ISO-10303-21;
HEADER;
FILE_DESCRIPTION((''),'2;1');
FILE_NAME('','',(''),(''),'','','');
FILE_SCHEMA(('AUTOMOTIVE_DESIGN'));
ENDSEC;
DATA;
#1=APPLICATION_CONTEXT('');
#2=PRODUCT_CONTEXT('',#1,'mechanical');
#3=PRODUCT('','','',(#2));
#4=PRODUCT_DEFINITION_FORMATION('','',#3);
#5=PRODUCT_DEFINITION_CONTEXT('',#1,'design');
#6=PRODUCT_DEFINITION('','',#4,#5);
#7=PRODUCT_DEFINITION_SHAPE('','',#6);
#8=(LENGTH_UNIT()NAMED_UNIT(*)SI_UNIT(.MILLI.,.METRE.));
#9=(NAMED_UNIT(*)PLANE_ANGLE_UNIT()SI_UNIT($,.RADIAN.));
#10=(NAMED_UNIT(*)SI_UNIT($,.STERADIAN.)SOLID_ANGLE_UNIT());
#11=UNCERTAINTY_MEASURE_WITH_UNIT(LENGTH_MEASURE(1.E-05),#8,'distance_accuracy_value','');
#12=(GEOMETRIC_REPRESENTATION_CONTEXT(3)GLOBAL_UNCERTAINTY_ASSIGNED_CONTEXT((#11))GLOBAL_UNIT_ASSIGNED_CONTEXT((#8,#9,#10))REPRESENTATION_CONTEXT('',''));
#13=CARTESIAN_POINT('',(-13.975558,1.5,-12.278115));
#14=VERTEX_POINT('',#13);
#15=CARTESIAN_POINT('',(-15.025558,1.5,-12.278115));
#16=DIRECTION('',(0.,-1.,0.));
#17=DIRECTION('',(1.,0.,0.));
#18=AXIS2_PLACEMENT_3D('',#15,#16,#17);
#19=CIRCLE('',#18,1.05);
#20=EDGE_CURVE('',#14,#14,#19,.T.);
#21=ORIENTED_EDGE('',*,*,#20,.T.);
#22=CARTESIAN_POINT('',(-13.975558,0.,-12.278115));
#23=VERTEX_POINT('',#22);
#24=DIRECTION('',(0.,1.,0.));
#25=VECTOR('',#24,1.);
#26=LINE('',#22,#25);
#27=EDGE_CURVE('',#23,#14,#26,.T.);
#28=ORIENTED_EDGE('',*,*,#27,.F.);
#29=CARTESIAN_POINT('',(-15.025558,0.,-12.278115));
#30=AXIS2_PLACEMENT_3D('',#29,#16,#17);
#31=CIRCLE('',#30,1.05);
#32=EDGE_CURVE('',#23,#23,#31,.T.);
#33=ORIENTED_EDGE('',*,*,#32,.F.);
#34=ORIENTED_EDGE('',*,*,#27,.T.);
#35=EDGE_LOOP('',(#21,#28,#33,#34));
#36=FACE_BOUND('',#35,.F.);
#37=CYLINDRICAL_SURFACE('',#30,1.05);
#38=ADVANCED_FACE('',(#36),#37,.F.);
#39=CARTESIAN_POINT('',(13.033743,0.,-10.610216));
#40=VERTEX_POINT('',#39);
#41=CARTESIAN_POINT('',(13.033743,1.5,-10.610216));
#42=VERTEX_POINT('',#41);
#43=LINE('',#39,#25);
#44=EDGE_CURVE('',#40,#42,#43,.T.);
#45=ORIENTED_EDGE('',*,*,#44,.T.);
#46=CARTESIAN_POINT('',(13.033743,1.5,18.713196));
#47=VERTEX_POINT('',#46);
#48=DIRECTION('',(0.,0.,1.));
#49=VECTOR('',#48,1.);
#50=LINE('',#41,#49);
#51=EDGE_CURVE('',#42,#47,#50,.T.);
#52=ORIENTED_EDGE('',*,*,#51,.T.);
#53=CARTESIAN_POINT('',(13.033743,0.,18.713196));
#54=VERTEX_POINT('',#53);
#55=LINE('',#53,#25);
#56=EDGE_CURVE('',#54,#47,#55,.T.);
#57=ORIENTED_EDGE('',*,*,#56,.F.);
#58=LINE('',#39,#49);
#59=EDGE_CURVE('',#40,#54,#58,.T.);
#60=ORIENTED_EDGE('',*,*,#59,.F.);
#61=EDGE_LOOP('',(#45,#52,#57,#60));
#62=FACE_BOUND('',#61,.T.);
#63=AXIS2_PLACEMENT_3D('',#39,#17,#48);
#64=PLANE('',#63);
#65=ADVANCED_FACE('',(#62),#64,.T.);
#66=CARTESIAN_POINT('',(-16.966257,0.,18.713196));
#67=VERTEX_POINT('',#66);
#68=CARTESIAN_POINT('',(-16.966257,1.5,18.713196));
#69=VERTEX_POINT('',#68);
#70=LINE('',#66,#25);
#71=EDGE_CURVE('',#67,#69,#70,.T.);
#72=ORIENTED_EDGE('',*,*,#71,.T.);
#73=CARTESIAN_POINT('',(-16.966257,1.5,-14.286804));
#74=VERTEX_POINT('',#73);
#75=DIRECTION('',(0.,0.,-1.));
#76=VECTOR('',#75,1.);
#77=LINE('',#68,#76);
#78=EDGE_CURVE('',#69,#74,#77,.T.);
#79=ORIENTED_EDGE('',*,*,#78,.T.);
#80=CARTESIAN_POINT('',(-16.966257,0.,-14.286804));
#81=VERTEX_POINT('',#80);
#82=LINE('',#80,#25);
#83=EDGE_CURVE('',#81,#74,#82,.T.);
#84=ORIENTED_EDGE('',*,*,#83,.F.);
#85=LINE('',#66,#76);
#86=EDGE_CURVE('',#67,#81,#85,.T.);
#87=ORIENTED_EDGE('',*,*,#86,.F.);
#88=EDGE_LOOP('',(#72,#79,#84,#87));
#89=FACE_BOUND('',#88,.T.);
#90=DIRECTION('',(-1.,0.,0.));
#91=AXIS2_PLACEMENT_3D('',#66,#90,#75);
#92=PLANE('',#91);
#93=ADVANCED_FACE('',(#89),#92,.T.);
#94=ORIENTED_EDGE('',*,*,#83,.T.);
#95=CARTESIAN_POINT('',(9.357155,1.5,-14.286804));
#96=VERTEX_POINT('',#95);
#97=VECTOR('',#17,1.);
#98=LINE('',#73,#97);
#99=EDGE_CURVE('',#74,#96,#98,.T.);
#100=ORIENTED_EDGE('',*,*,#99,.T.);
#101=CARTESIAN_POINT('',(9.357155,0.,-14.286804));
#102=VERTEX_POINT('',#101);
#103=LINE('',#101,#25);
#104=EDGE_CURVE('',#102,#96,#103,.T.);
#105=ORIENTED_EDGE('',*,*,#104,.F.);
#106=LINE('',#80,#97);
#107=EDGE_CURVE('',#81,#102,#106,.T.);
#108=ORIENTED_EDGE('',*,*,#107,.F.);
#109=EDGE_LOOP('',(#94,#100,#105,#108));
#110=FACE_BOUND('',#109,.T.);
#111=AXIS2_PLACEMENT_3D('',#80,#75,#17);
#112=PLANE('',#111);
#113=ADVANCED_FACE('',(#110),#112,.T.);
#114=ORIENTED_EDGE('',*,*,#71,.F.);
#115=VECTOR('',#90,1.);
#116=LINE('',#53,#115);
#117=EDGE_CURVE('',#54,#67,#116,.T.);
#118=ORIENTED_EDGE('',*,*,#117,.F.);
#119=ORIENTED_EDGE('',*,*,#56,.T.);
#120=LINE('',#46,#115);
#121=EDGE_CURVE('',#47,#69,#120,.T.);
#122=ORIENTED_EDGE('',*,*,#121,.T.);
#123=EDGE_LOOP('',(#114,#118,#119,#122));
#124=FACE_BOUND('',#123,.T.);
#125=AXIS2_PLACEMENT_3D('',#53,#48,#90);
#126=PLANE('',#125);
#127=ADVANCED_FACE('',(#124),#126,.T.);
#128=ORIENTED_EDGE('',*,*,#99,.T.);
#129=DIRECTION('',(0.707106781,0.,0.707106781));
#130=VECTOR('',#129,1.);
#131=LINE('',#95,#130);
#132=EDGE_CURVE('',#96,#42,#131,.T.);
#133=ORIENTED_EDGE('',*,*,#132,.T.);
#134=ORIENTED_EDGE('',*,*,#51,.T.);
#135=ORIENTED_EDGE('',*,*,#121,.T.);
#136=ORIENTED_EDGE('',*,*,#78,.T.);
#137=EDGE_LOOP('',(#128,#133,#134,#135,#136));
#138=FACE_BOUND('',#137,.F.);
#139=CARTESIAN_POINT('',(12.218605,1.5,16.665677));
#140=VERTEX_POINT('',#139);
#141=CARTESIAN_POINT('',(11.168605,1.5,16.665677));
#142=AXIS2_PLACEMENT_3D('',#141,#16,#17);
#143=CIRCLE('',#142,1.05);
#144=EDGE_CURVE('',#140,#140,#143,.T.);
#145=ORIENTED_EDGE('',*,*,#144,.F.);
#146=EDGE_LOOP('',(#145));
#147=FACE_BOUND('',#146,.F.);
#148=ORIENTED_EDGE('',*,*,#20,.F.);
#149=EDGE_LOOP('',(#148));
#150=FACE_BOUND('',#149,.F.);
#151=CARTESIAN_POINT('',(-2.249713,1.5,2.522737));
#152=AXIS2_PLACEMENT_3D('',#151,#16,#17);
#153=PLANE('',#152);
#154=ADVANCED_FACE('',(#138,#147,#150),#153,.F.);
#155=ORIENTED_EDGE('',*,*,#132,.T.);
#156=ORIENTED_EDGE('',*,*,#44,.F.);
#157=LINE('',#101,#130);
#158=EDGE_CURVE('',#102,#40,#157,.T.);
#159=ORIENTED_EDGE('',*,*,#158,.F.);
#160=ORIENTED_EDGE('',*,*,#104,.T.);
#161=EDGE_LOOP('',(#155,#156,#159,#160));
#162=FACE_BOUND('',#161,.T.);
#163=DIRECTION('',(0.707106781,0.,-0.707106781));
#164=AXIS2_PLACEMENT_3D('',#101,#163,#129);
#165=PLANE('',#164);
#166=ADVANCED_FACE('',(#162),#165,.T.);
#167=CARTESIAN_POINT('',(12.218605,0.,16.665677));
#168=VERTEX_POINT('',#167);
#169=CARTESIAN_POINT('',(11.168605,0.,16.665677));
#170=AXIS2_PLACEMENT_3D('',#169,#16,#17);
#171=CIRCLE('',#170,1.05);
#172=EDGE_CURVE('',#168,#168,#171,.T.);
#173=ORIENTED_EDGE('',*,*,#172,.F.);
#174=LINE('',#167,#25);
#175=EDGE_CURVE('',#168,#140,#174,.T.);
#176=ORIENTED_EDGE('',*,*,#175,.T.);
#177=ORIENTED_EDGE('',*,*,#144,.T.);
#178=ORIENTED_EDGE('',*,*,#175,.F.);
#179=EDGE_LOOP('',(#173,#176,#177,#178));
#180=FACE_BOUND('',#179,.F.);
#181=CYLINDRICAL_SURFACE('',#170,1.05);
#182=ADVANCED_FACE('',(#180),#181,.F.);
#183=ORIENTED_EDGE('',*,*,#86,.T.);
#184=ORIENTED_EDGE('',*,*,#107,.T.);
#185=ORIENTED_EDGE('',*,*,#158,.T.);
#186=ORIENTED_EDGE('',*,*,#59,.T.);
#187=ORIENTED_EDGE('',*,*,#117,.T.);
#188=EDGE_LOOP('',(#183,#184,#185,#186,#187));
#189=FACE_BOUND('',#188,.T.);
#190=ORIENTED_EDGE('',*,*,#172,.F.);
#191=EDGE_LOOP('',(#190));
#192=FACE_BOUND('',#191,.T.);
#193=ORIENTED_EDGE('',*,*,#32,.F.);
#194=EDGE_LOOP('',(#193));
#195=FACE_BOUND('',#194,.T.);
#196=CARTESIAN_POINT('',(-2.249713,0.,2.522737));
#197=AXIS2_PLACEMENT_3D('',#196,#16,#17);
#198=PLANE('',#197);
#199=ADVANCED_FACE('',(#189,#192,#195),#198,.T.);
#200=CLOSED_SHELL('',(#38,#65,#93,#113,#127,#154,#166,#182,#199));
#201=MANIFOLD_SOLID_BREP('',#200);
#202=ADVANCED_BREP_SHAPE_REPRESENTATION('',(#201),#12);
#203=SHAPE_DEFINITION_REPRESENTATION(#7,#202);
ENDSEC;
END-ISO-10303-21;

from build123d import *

# Parameters (mm, degrees)
F0_R     = 1.05
F1_DEPTH = 1.5


with BuildPart() as f1:
    # F0 (on Front) → F1 (new body)
    with BuildSketch(Plane.XZ):
        Polygon((13.033743, -10.610216), (13.033743, 18.713196), (-16.966257, 18.713196), (-16.966257, -14.286804), (9.357155, -14.286804), align=None)
        with Locations((-15.025558, -12.278115)):
            Circle(F0_R, mode=Mode.SUBTRACT)
        with Locations((11.168605, 16.665677)):
            Circle(F0_R, mode=Mode.SUBTRACT)
    extrude(amount=-F1_DEPTH)


solid = f1.part
